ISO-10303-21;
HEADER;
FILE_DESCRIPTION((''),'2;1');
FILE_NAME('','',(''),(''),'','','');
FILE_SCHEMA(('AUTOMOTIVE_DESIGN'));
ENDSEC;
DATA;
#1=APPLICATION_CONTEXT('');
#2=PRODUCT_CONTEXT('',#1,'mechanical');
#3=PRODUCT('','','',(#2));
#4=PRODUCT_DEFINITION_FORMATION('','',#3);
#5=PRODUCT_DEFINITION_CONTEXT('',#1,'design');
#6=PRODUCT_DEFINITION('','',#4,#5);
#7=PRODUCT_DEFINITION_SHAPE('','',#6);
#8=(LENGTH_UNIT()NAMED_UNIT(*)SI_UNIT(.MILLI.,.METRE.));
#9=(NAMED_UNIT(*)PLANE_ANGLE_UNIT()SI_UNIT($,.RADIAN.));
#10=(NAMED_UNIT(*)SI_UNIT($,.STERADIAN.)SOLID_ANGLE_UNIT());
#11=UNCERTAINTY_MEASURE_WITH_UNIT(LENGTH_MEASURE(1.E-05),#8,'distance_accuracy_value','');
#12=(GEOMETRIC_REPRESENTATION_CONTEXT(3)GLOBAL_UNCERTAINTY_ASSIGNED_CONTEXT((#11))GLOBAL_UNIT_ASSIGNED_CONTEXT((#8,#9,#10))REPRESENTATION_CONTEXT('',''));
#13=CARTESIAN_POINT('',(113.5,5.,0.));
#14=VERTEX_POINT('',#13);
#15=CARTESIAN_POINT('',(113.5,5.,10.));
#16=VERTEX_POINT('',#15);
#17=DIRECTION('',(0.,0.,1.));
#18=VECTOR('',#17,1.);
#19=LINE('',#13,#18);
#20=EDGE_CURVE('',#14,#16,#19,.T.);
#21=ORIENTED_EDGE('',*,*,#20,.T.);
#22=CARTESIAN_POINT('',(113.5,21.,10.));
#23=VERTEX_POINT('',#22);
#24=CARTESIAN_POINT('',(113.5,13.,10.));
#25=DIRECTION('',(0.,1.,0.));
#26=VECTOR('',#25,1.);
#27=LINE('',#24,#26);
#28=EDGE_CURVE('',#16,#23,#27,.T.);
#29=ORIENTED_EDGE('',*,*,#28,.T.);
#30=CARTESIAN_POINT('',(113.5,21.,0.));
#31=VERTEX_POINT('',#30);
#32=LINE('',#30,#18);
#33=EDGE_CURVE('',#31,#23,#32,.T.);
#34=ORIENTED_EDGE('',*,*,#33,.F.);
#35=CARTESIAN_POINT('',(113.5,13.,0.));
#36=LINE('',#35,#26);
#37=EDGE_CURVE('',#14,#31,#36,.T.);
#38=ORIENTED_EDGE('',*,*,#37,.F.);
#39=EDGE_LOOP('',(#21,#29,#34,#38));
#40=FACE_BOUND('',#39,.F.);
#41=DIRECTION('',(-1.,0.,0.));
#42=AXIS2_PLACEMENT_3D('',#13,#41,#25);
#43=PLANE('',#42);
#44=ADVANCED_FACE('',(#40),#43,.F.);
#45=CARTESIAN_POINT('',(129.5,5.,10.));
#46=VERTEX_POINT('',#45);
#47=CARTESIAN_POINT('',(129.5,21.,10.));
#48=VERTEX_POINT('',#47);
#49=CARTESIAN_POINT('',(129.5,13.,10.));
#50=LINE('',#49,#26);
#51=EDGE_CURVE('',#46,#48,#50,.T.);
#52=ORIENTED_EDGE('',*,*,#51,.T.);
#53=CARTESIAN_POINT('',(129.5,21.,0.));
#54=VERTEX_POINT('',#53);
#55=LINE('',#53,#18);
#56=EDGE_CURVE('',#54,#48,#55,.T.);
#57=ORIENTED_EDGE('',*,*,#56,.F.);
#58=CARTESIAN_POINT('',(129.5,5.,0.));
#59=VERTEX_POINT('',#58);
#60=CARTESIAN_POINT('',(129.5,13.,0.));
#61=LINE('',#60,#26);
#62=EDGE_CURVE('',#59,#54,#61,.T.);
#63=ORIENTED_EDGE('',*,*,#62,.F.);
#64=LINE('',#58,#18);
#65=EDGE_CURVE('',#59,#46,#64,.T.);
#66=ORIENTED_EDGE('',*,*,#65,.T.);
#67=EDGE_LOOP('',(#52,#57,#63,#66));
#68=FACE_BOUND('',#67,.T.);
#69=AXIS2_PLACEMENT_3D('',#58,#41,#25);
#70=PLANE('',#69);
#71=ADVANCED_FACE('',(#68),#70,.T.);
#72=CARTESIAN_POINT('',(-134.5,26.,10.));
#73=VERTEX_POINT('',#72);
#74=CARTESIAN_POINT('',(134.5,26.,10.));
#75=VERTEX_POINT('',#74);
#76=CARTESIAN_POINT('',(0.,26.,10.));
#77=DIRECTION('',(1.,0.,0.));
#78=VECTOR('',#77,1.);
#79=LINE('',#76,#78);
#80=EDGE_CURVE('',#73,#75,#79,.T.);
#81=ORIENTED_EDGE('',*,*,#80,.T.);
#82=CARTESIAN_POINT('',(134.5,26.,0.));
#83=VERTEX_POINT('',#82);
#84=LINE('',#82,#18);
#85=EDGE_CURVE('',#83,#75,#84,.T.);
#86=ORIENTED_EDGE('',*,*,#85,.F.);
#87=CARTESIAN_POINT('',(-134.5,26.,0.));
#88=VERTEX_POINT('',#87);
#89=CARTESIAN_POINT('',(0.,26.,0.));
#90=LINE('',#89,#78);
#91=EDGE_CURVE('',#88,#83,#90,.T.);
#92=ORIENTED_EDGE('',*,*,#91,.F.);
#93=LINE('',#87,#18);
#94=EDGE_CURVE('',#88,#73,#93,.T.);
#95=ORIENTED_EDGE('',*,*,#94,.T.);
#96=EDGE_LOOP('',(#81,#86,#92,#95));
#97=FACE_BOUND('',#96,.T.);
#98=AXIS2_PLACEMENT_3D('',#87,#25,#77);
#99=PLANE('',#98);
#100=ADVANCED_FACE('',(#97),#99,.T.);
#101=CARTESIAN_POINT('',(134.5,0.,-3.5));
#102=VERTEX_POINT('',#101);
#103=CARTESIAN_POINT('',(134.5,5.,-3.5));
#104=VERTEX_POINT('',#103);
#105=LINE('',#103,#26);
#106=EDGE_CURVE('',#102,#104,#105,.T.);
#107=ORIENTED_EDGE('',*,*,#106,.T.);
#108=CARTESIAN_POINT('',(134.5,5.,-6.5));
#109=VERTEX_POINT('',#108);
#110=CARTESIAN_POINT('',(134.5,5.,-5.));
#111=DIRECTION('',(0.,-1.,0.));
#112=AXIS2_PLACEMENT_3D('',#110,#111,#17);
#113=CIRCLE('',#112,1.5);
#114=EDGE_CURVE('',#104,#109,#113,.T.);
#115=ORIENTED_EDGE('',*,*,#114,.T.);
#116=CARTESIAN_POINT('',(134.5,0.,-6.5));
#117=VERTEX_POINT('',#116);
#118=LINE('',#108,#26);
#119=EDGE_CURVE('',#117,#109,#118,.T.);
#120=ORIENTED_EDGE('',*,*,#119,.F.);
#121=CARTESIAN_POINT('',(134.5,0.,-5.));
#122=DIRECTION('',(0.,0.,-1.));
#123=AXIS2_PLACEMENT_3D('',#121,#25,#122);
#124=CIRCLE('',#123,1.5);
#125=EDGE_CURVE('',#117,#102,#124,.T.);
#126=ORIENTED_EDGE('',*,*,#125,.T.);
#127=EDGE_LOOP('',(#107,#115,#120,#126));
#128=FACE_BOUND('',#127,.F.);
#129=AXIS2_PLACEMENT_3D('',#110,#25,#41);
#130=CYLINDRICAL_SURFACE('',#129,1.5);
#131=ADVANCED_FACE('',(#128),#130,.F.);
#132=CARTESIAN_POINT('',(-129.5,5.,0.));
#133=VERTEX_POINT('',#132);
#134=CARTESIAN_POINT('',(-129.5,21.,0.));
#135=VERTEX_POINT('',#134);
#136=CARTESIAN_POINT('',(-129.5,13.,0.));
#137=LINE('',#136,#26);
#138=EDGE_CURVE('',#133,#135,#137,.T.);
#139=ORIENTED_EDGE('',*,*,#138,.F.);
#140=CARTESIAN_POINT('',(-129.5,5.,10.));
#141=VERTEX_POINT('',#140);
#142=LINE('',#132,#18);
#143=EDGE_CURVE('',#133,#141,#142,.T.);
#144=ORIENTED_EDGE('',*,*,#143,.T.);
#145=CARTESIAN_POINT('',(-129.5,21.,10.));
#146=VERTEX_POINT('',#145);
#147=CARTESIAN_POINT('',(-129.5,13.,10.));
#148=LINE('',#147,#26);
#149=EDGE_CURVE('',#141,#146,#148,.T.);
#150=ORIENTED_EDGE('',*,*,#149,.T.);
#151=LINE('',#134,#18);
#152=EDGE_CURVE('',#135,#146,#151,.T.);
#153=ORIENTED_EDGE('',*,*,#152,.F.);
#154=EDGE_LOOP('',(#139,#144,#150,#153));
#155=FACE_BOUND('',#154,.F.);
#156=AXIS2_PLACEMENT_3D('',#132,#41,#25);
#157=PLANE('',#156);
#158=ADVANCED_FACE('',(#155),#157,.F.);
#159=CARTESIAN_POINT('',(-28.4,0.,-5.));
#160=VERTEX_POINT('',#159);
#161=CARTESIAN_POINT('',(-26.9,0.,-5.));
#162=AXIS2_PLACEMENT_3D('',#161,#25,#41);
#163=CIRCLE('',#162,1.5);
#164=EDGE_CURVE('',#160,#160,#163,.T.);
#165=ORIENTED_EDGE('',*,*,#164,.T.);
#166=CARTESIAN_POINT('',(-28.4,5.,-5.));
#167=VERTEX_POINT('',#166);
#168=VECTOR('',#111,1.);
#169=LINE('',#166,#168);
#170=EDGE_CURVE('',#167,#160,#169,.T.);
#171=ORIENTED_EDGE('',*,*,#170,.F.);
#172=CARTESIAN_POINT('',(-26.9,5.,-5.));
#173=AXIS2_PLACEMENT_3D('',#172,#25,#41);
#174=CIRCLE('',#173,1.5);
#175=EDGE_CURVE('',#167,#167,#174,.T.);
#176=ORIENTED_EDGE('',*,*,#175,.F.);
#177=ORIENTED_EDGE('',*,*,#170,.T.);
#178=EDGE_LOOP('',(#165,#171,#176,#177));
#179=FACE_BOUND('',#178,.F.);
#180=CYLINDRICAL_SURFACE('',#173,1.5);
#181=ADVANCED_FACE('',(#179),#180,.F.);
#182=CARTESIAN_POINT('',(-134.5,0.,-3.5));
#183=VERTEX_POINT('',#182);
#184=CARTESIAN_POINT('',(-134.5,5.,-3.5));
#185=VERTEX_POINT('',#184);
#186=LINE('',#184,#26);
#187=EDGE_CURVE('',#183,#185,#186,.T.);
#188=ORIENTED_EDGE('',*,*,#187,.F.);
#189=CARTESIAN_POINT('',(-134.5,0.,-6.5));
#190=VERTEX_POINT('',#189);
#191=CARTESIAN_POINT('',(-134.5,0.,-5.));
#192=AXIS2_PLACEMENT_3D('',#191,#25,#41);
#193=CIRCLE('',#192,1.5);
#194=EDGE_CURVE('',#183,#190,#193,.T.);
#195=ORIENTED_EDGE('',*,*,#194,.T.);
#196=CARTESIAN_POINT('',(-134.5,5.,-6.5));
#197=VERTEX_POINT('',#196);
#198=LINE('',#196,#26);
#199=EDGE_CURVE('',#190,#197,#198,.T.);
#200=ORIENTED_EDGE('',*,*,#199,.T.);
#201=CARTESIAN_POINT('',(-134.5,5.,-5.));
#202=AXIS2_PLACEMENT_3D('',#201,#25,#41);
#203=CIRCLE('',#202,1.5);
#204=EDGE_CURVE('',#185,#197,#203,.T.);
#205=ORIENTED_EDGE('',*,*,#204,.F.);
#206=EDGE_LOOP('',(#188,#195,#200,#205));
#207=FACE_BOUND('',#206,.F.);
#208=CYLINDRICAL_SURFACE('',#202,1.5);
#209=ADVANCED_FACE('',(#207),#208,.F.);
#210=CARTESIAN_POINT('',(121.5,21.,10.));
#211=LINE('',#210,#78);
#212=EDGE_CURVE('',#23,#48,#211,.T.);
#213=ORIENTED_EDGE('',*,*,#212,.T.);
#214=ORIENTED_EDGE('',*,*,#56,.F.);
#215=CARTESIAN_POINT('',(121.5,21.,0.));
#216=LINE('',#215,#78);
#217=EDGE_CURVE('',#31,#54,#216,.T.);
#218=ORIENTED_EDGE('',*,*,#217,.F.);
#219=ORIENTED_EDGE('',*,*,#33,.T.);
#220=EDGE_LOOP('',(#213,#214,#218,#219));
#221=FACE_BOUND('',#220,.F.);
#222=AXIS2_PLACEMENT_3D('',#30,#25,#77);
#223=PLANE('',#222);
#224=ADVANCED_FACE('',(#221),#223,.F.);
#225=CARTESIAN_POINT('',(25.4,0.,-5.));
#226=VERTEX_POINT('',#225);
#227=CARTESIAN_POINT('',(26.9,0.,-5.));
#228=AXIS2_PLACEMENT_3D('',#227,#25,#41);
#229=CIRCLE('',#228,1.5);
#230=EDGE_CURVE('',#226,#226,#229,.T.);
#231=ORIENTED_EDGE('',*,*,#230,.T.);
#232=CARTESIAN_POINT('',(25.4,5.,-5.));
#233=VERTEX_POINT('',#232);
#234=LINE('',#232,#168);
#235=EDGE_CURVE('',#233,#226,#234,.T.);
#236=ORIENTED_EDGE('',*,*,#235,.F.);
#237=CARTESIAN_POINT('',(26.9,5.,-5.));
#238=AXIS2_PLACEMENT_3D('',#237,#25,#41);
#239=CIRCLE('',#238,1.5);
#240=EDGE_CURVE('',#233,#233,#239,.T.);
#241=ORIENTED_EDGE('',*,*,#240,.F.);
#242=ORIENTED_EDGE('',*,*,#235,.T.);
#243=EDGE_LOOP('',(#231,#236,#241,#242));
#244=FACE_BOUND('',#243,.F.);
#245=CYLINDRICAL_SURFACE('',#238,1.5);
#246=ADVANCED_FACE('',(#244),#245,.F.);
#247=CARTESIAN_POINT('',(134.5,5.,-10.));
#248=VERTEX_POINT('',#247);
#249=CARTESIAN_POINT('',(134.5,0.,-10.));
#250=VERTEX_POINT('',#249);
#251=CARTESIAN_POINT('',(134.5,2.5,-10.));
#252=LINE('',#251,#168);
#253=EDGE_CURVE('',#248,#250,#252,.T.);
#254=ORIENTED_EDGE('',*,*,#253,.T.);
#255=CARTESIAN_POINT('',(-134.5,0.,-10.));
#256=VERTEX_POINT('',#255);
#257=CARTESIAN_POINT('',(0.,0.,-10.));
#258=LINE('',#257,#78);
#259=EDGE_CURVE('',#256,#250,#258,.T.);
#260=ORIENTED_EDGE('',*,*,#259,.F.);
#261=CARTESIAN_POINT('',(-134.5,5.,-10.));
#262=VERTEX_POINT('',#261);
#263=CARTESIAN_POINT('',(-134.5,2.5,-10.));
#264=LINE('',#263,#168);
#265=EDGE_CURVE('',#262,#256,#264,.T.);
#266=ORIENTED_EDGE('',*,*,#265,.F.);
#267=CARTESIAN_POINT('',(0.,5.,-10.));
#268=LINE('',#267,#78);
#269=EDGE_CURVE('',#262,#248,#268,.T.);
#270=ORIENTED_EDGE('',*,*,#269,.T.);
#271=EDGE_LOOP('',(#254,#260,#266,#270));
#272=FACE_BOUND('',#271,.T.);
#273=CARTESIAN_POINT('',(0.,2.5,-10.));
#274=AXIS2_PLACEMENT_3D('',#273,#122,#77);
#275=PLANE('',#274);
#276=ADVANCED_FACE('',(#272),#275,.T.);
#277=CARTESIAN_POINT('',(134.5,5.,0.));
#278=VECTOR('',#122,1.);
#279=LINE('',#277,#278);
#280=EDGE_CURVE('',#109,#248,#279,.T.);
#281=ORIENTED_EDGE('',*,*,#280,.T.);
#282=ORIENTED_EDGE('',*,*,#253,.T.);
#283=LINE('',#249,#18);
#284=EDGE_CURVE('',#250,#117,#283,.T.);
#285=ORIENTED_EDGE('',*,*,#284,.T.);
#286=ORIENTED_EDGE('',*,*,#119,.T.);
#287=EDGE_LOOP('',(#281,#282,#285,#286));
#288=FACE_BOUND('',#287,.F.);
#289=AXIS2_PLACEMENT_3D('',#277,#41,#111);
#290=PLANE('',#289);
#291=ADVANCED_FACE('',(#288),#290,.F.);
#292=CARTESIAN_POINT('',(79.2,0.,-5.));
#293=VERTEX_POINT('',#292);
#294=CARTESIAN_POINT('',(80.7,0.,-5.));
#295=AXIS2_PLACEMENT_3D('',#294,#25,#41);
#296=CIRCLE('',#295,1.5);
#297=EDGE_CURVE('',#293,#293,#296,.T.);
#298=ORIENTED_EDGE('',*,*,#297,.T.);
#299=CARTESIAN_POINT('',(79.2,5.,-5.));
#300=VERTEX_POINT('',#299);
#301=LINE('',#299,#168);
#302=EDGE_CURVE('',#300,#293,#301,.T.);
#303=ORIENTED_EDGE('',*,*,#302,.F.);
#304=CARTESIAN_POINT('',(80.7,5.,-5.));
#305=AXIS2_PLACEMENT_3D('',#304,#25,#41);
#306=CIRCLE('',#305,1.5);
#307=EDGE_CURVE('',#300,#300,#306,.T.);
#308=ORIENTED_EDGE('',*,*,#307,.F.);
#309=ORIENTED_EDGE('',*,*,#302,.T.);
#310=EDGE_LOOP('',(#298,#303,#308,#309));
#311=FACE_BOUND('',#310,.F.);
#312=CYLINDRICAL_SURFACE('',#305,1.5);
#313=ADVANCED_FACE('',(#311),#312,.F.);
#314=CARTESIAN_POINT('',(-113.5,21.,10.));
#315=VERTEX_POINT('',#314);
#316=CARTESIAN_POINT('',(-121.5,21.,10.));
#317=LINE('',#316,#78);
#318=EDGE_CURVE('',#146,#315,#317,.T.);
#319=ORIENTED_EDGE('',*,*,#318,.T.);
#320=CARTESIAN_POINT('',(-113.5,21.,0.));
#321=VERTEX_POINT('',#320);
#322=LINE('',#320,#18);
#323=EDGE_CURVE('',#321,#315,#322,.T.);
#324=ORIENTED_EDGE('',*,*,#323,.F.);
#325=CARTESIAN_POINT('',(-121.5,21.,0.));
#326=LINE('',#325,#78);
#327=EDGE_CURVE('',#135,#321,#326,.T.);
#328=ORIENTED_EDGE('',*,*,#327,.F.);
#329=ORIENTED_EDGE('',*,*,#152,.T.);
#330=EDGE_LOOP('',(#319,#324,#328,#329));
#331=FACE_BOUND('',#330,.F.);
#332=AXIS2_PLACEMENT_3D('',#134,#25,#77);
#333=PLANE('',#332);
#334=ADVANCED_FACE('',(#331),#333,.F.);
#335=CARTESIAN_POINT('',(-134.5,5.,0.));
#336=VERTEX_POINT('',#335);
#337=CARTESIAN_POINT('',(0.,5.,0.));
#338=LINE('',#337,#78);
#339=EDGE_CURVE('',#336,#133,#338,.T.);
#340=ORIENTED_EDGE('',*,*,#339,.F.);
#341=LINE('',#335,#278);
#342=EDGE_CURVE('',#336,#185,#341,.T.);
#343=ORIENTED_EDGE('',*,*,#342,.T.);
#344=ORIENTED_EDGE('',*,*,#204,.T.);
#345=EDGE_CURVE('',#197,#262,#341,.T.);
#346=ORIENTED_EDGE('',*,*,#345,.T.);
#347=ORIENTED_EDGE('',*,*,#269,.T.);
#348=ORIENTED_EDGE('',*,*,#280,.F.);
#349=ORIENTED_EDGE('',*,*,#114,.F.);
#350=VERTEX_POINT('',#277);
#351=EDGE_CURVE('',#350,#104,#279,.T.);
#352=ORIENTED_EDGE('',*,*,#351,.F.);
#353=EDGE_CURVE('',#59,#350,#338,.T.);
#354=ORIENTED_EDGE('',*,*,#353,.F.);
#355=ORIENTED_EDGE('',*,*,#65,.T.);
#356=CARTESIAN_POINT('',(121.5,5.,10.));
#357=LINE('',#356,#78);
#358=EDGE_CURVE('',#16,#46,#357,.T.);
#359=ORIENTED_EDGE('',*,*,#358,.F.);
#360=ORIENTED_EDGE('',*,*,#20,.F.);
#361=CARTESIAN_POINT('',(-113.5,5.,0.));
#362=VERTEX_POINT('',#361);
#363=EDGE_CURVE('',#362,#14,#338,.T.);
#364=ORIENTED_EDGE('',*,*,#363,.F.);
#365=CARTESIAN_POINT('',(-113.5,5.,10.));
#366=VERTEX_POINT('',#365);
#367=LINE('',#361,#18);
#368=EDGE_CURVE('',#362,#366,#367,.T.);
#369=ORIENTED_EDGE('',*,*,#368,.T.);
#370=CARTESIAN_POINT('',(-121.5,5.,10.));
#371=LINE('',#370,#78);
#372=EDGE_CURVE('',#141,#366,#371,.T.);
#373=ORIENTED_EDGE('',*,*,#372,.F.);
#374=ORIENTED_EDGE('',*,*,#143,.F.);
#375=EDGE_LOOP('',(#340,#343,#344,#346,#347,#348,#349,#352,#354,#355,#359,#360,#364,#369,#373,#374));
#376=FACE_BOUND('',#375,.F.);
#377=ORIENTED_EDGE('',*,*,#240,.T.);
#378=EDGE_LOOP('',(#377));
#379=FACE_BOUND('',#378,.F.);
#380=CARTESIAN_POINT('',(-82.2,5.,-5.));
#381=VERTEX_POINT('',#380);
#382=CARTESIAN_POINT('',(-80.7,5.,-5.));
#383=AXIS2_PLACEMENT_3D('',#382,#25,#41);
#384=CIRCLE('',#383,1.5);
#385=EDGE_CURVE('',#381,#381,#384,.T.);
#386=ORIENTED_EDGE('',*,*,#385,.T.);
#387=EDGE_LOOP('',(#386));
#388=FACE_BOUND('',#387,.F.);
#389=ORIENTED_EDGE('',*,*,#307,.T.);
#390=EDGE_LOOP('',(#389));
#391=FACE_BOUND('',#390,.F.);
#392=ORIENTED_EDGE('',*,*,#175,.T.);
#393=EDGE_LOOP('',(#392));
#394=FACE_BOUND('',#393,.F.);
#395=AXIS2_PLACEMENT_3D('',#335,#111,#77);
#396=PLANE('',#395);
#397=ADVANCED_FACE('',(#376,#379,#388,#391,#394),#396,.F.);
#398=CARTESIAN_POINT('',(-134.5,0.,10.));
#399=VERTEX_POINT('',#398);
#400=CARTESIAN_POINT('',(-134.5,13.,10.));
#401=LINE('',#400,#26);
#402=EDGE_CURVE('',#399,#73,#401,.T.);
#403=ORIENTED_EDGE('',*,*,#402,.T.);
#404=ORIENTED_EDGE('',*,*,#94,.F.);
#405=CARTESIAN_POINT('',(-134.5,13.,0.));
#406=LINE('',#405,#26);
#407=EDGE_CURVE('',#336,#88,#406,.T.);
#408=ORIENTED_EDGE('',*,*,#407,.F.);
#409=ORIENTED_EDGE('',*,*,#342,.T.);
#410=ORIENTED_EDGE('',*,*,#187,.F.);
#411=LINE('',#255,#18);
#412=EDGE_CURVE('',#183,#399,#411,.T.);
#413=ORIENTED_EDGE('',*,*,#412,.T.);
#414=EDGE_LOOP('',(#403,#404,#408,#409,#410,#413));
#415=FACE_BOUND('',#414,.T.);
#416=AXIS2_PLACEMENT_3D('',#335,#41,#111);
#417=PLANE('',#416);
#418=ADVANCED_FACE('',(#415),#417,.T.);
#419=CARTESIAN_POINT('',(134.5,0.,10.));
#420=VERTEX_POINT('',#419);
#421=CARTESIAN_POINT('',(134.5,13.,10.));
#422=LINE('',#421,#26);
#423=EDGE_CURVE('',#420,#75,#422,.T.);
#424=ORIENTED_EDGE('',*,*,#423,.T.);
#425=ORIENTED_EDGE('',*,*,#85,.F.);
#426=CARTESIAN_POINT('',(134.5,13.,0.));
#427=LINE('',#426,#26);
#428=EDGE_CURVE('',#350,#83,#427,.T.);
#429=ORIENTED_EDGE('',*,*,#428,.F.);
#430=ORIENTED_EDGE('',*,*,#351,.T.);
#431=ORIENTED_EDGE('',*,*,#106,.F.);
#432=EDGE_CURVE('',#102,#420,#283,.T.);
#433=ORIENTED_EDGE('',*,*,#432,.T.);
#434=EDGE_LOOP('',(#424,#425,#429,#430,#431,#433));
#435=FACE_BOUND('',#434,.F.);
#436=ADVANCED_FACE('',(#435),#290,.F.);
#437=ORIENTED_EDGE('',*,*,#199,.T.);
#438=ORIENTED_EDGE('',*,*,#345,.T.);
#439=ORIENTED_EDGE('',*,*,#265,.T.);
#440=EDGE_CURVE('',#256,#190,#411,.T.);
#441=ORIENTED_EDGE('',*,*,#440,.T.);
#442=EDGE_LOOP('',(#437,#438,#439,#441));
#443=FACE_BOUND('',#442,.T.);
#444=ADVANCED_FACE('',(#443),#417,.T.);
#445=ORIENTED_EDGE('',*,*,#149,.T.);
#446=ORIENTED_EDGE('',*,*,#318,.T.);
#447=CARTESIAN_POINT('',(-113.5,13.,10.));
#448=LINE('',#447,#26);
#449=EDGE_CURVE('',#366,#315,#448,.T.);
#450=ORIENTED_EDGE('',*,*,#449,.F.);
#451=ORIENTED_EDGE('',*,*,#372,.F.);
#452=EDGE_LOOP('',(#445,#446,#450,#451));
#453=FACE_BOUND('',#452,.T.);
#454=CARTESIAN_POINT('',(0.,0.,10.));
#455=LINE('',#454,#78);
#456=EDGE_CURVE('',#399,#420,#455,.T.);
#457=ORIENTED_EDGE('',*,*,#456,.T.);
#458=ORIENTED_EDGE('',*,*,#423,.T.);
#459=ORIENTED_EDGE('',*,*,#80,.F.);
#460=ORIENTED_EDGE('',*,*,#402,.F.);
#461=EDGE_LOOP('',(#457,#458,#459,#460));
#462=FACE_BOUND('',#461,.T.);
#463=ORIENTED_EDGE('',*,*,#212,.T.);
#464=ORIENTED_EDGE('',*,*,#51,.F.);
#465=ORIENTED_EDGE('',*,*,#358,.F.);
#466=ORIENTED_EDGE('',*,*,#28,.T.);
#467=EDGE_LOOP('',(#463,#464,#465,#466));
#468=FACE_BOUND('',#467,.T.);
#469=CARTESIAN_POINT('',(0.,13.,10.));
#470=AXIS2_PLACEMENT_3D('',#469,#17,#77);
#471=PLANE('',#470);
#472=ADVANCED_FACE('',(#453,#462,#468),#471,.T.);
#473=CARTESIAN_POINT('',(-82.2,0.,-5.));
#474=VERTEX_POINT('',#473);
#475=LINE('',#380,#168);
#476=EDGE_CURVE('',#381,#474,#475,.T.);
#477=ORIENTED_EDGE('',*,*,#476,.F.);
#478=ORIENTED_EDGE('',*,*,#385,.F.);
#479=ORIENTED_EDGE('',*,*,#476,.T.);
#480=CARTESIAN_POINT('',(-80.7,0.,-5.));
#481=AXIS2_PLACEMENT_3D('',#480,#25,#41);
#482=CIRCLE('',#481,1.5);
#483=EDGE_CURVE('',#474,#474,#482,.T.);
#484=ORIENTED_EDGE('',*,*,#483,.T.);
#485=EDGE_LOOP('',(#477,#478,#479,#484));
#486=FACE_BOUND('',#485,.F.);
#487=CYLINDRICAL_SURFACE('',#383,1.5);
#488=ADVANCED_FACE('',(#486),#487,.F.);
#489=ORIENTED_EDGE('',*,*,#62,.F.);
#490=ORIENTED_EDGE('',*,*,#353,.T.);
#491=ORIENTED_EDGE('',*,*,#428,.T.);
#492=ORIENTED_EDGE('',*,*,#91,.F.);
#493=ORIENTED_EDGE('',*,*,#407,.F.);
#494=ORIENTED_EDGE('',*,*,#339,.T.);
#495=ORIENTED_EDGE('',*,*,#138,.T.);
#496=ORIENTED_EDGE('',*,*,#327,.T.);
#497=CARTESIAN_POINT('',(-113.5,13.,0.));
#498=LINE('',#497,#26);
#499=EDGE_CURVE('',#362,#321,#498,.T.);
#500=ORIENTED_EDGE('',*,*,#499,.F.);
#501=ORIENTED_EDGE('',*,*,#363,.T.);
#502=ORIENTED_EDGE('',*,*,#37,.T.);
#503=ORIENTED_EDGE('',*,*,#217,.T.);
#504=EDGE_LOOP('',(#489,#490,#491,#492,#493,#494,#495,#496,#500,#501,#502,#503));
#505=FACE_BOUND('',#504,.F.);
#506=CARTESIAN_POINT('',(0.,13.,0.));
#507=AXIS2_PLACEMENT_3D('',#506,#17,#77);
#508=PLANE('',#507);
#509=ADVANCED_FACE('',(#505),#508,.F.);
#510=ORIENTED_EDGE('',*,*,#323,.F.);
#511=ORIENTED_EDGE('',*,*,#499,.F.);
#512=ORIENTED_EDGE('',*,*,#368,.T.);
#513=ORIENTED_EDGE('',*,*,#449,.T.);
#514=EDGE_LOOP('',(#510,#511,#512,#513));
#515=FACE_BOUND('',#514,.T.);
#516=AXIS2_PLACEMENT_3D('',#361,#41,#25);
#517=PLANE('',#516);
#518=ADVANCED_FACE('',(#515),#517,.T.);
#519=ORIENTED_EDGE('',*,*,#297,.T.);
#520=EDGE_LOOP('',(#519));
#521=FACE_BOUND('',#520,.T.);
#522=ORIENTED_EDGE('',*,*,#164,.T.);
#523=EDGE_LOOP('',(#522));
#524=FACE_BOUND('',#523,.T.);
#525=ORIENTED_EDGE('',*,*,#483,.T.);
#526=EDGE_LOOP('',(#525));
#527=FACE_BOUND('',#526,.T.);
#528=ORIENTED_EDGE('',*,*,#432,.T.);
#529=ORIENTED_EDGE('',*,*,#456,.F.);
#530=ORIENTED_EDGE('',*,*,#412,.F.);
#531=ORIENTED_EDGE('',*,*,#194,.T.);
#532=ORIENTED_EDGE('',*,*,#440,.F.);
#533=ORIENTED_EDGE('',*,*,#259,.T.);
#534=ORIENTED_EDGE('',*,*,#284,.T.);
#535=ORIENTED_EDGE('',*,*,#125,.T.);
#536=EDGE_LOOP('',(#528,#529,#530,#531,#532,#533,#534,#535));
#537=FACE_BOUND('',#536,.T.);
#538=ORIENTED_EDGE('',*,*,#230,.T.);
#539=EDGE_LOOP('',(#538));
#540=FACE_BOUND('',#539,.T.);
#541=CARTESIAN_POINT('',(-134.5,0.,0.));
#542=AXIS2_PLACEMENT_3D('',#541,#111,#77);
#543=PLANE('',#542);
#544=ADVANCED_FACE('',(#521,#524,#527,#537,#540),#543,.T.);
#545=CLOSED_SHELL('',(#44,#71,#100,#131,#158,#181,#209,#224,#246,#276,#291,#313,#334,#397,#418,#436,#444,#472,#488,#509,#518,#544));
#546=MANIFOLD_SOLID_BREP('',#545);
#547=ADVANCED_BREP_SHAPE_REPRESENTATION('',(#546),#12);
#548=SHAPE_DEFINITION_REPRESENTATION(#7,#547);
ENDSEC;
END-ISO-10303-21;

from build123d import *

# Parameters (mm, degrees)
SKETCH_W     = 269
SKETCH_H     = 26
SKETCH_W_2   = 16
SKETCH_H_2   = 16
PAD_DEPTH    = 10
SKETCH002_W  = 269
SKETCH002_H  = 5
PAD001_DEPTH = 10
SKETCH003_R  = 1.5
POCKET_DEPTH = 5.001


with BuildPart() as part:
    # Sketch → Pad (new body)
    with BuildSketch(Plane.XY):
        with Locations((0, 13)):
            Rectangle(SKETCH_W, SKETCH_H)
        with Locations((121.5, 13)):
            Rectangle(SKETCH_W_2, SKETCH_H_2, mode=Mode.SUBTRACT)
        with Locations((-121.5, 13)):
            Rectangle(SKETCH_W_2, SKETCH_H_2, mode=Mode.SUBTRACT)
    extrude(amount=PAD_DEPTH)

    # Sketch002 (on Face13 of Pad) → Pad001 (join)
    with BuildSketch(Plane(origin=(0, 0, 0), x_dir=(1, 0, 0), z_dir=(0, 0, -1))):
        with Locations((0, -2.5)):
            Rectangle(SKETCH002_W, SKETCH002_H)
    extrude(amount=PAD001_DEPTH)

    # Sketch003 (on Face9 of Pad001) → Pocket (cut, through all)
    with BuildSketch(Plane(origin=(0, 5, 0), x_dir=(-1, 0, 0), z_dir=(0, 1, 0))):
        with Locations((-134.5, -5)):
            Circle(SKETCH003_R)
        with Locations((-80.7, -5)):
            Circle(SKETCH003_R)
        with Locations((-26.9, -5)):
            Circle(SKETCH003_R)
        with Locations((26.9, -5)):
            Circle(SKETCH003_R)
        with Locations((80.7, -5)):
            Circle(SKETCH003_R)
        with Locations((134.5, -5)):
            Circle(SKETCH003_R)
    extrude(amount=-POCKET_DEPTH, mode=Mode.SUBTRACT)


solid = part.part
